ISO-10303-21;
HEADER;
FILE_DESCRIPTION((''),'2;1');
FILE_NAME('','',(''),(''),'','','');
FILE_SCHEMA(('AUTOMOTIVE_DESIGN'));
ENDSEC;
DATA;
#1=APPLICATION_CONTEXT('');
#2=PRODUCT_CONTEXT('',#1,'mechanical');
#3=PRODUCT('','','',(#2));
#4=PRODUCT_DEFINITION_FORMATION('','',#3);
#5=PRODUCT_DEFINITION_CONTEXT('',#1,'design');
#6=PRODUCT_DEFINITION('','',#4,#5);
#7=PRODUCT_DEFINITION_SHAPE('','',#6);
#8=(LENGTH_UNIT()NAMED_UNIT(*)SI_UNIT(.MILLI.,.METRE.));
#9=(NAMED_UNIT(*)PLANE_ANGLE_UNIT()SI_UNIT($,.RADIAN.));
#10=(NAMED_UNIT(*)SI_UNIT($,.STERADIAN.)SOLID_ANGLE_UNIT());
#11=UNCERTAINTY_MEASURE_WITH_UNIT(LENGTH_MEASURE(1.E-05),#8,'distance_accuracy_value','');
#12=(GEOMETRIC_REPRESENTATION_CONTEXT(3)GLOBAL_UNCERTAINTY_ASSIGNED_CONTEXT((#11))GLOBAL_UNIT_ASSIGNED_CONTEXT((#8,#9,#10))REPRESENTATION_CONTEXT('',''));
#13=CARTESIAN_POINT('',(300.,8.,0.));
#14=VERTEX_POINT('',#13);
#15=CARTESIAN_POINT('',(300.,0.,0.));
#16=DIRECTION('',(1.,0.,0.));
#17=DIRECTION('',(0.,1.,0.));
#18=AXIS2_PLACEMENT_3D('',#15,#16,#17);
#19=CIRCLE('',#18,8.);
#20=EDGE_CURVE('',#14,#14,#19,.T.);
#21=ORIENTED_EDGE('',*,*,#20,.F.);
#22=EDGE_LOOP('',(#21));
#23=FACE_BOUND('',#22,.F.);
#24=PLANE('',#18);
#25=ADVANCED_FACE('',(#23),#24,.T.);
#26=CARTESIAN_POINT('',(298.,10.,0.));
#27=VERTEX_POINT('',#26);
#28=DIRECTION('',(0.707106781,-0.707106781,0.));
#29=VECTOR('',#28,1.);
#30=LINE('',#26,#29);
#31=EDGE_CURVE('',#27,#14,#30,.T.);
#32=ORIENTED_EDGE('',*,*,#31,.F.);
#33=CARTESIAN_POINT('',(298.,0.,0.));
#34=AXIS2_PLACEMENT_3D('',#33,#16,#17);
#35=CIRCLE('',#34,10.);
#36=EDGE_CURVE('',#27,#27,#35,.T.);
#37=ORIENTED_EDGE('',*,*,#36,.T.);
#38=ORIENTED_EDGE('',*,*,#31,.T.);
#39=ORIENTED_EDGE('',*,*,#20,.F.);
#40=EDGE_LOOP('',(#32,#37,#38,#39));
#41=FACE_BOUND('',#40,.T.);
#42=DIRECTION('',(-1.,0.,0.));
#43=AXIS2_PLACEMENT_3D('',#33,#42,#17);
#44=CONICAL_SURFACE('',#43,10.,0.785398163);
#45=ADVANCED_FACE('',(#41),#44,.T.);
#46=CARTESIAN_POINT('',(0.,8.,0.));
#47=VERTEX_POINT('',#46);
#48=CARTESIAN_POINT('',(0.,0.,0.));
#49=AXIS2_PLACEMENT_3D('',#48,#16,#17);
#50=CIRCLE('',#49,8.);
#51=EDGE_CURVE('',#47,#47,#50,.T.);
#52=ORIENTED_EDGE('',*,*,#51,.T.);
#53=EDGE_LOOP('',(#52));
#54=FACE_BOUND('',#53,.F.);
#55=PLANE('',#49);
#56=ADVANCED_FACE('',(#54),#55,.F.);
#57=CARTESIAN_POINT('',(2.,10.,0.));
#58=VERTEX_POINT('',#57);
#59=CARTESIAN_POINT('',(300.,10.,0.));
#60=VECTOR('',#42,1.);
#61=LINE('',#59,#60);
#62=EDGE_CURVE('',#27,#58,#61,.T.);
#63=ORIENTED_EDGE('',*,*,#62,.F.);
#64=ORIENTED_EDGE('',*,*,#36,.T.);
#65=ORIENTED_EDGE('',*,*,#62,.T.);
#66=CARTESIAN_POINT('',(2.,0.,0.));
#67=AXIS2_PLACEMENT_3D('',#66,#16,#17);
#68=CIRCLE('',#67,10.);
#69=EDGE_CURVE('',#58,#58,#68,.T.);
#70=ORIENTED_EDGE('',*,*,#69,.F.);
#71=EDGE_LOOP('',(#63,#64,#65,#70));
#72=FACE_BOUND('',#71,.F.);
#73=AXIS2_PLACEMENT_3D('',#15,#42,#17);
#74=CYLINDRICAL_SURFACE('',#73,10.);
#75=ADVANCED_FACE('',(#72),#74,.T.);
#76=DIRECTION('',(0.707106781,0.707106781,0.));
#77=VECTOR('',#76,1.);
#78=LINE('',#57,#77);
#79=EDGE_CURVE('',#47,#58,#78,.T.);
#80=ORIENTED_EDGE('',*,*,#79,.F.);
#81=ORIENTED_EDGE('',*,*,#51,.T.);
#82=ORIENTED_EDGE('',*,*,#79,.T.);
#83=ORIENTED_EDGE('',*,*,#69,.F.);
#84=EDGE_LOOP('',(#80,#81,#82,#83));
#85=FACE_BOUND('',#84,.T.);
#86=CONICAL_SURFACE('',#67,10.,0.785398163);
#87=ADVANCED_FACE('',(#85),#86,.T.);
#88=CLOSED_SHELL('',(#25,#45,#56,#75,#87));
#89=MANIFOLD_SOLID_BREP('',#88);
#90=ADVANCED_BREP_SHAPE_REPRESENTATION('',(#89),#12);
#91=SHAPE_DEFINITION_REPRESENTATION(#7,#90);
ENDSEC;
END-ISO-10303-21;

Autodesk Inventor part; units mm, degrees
ref_plane "YZ Plane" through (0, 0, 0) normal (1, 0, 0) x (0, 1, 0)
ref_plane "XZ Plane" through (0, 0, 0) normal (0, 1, 0) x (-1, 0, 0)
ref_plane "XY Plane" through (0, 0, 0) normal (0, 0, 1) x (1, 0, 0)
sketch "草图1" plane through (0, 0, 0) normal (0, 0, 1) x (1, 0, 0)
  line L0 (0, 0) -> (300, 0)
  line L1 (300, 0) -> (300, 10)
  line L2 (300, 10) -> (0, 10)
  line L3 (0, 10) -> (0, 0)
  dimension "d0" = 300
  dimension "d1" = 10
revolve "旋转1" add sketch "草图1" angle 360 about axis through (0, 0, 0) along (1, 0, 0)
chamfer "倒角1" distance 2 angle 45 2 edges at (300, -10, 0) (0, -10, 0)
properties part number "绞杆"
